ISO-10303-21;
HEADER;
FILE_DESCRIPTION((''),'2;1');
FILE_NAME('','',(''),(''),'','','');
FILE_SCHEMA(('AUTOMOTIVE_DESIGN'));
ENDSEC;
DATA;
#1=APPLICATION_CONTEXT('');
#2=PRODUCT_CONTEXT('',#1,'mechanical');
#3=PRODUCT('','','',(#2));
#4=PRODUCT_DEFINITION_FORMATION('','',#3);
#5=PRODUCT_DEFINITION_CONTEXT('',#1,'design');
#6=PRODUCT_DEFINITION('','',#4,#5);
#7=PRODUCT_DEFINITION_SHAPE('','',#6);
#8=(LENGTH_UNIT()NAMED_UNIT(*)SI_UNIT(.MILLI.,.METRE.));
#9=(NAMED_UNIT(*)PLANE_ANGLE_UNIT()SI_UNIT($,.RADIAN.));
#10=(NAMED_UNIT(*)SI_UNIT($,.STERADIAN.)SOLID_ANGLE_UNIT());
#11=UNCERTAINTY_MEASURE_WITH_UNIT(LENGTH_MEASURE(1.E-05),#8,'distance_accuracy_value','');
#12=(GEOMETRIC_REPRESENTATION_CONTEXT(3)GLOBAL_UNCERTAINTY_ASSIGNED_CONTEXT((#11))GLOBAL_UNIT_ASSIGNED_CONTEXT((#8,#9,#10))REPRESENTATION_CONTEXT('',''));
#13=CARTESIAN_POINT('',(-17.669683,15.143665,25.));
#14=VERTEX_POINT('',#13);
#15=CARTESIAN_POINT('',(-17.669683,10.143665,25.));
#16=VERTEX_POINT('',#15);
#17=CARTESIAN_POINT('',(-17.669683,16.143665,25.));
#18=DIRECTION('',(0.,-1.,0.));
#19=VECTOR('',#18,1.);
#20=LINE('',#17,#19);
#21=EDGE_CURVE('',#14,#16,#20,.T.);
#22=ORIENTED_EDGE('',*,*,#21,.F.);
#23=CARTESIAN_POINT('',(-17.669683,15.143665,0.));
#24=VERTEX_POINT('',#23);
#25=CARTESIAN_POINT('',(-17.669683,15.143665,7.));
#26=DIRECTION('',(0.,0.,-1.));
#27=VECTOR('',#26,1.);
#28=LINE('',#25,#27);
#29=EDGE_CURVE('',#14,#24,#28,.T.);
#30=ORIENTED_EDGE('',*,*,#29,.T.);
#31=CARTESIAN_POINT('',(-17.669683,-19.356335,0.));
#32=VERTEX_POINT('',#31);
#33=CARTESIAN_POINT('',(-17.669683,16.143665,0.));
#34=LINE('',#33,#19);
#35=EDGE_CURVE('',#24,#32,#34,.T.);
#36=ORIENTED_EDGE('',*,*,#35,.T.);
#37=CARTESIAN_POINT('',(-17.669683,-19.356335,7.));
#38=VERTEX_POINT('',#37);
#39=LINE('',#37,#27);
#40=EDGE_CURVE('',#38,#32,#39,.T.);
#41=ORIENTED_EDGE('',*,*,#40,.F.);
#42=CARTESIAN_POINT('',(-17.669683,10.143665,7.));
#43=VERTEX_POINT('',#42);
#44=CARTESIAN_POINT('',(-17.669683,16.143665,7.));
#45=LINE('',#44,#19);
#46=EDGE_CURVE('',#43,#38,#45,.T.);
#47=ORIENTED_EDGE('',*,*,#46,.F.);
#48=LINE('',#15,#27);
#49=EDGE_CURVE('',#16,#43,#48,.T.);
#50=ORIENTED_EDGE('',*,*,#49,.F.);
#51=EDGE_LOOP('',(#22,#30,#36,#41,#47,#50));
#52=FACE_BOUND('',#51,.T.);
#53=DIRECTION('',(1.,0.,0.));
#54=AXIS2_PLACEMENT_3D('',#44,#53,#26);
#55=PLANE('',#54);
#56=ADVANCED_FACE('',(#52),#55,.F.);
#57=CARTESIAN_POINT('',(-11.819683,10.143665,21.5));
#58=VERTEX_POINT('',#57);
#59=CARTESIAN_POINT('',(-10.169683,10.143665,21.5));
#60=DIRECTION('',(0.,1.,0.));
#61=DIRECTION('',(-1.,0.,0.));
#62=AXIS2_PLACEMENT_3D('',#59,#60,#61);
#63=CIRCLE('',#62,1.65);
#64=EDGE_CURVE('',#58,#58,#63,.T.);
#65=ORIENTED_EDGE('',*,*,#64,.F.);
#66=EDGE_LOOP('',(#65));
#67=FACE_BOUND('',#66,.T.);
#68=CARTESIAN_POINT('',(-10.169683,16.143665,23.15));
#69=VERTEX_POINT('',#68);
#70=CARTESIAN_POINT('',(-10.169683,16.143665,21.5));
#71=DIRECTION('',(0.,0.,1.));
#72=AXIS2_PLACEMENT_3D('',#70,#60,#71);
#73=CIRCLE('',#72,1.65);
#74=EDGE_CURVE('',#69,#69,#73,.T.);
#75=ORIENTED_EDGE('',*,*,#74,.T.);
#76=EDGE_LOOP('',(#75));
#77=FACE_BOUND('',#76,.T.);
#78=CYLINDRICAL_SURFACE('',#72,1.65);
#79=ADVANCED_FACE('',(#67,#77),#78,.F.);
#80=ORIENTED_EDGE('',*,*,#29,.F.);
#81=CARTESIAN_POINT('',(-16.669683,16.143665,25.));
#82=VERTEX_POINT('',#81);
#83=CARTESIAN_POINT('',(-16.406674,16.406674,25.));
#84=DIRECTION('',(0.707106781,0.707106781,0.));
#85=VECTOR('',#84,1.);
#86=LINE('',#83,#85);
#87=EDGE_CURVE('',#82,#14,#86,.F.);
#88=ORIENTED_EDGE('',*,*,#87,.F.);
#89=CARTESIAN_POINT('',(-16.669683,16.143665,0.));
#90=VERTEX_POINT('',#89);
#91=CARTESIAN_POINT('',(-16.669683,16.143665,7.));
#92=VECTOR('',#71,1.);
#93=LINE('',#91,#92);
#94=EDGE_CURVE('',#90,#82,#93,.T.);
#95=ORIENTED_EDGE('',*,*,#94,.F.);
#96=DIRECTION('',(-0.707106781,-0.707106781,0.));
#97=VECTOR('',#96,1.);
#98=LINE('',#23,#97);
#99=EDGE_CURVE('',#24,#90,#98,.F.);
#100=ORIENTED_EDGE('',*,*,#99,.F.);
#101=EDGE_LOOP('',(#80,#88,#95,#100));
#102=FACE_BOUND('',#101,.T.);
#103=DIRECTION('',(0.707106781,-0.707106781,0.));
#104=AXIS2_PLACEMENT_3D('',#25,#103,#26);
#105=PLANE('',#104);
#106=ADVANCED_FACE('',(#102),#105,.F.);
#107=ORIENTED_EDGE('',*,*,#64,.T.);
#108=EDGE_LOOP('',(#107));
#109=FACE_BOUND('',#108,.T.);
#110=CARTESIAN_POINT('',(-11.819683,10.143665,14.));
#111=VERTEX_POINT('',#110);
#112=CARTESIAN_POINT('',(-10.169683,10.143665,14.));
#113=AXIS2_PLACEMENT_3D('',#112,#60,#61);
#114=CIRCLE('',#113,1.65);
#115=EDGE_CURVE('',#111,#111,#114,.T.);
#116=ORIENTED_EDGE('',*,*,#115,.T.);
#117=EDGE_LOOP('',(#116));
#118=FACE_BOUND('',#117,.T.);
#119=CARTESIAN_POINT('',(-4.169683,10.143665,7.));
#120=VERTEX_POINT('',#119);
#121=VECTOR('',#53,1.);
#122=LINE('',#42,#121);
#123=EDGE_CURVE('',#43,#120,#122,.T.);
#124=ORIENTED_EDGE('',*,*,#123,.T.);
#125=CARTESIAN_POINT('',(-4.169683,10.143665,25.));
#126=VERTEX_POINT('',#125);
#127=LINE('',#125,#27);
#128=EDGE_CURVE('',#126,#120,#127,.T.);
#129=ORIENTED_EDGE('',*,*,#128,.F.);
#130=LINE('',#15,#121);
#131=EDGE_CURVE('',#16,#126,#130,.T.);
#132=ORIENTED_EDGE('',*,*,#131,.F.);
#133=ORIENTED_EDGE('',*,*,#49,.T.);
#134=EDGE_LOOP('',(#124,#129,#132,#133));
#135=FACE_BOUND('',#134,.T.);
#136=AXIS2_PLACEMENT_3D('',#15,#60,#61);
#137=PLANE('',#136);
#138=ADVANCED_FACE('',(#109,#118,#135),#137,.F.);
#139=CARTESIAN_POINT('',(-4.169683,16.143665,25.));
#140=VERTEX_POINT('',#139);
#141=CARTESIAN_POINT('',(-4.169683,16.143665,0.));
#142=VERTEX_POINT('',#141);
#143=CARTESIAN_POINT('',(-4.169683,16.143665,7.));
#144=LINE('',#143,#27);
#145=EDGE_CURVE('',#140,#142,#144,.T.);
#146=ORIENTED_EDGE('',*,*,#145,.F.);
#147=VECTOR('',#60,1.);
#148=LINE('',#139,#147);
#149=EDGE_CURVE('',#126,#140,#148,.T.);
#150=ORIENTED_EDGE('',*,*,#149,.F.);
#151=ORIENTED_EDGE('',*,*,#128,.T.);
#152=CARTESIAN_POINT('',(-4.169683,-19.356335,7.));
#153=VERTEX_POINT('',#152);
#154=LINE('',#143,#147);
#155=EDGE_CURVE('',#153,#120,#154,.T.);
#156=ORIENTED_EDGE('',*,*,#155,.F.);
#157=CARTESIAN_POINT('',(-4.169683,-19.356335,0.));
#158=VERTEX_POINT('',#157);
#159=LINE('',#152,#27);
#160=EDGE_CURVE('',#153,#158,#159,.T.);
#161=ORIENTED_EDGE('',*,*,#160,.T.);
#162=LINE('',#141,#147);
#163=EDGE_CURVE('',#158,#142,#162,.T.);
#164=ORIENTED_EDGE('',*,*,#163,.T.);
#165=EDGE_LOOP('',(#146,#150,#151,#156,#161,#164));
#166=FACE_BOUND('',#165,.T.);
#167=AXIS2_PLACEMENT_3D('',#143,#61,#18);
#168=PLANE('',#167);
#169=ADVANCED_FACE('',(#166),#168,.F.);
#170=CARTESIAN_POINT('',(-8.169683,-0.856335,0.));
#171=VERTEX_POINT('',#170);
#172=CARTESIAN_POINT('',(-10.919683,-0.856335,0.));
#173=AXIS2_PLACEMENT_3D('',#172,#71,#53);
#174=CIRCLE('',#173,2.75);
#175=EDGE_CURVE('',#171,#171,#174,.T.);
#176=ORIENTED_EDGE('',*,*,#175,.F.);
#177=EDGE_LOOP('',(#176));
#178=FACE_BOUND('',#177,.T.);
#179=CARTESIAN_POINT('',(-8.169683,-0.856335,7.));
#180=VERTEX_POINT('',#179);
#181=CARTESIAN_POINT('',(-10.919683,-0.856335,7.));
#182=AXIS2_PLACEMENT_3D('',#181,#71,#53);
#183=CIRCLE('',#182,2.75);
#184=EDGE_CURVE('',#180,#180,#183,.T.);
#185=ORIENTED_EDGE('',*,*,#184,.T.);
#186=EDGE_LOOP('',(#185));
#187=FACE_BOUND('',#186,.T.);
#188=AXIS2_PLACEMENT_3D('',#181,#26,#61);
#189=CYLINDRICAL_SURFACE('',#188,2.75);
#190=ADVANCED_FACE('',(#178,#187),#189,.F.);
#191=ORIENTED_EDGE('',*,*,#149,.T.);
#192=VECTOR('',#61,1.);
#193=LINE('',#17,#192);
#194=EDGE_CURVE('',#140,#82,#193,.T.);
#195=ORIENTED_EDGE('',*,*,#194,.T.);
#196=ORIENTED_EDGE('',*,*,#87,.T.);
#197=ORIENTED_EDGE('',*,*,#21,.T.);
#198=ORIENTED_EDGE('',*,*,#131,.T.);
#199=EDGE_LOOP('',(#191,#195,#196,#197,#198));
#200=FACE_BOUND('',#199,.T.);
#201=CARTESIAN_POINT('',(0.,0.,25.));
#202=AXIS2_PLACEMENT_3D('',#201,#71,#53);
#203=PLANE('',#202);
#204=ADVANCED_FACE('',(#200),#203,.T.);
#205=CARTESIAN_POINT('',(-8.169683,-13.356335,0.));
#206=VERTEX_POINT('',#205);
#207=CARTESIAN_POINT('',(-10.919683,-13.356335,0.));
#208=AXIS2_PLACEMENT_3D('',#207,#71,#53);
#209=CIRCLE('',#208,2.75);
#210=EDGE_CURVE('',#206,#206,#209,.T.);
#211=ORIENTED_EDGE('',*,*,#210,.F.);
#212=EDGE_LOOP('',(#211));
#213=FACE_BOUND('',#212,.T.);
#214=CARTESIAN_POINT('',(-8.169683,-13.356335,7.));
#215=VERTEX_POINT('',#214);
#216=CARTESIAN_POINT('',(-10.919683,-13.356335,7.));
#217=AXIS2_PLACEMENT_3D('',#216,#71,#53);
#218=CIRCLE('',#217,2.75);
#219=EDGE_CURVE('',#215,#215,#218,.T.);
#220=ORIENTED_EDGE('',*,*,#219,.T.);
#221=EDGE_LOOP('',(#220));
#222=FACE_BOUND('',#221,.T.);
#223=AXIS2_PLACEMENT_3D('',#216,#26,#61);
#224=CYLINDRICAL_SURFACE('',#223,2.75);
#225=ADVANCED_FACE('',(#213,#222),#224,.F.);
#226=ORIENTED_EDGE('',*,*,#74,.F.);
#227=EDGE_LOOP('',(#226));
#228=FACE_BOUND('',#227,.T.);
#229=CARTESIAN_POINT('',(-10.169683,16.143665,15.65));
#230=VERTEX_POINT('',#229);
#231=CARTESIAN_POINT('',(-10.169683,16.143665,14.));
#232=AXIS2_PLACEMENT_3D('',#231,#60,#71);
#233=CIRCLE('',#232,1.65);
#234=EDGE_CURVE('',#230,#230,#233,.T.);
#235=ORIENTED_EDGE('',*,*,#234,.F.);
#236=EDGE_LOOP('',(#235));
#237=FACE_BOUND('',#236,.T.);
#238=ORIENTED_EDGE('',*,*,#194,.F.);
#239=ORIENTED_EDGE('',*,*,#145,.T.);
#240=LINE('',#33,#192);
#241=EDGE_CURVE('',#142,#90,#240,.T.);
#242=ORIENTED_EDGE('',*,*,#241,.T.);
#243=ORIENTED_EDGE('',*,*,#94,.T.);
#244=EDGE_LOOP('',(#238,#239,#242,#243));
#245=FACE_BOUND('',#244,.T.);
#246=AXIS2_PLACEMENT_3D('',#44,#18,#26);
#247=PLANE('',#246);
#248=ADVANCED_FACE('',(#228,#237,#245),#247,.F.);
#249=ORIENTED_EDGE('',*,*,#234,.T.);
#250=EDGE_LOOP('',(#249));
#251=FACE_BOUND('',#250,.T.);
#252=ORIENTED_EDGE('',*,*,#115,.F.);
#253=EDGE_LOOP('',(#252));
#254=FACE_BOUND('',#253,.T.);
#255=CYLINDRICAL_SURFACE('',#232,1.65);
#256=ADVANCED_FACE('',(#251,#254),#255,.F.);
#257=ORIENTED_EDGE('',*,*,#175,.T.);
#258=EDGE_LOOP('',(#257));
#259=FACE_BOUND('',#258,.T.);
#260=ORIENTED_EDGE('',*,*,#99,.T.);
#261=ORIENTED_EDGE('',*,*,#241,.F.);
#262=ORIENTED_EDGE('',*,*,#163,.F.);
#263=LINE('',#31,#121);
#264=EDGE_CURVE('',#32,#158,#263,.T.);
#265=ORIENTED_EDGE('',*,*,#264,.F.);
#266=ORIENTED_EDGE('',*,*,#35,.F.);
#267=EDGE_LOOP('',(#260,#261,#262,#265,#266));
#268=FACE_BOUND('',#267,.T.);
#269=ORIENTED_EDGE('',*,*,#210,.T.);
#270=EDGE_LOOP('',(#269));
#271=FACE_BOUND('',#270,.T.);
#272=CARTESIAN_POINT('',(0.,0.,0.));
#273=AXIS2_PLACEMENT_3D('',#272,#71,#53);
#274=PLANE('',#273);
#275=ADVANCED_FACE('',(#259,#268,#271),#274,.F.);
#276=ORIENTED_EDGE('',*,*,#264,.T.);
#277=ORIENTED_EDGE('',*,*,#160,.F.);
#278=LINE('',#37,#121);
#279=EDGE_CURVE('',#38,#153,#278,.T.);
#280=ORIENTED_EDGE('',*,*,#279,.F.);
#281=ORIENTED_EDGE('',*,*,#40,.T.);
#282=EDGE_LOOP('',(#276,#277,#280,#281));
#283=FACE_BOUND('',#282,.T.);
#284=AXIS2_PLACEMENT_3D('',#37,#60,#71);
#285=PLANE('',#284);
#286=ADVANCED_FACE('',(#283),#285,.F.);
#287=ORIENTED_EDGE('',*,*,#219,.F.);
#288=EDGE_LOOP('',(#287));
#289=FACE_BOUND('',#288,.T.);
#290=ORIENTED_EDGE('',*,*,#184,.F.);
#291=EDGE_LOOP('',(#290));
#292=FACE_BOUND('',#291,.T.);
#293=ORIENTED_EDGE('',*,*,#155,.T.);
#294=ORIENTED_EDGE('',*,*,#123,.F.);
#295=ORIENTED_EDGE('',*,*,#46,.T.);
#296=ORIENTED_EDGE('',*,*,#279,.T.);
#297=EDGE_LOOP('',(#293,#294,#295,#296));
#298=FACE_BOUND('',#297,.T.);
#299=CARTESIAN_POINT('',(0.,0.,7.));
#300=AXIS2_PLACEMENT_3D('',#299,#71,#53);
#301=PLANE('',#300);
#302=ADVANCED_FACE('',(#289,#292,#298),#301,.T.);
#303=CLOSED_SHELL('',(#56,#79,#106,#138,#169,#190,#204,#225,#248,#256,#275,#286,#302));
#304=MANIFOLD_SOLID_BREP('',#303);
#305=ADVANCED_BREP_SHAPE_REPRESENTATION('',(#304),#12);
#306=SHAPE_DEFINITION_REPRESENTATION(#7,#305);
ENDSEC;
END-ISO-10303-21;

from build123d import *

# Parameters (mm, degrees)
SKETCH1_W             = 13.5
SKETCH1_H             = 35.5
SKETCH1_R             = 2.75
BOSS_EXTRUDE1_DEPTH   = 7
SKETCH2_W             = 13.5
SKETCH2_H             = 6
BOSS_EXTRUDE2_DEPTH   = 18
CHAMFER1_SIZE         = 1
M4X0_7_TAPPED_HOLE1_D = 3.3


with BuildPart() as part:
    # Sketch1 → Boss-Extrude1 (new body)
    with BuildSketch(Plane.XY):
        with Locations((-10.919683258, -1.606334842)):
            Rectangle(SKETCH1_W, SKETCH1_H)
        with Locations((-10.919683258, -13.356334842)):
            Circle(SKETCH1_R, mode=Mode.SUBTRACT)
        with Locations((-10.919683258, -0.856334842)):
            Circle(SKETCH1_R, mode=Mode.SUBTRACT)
    extrude(amount=BOSS_EXTRUDE1_DEPTH)

    # Sketch2 → Boss-Extrude2 (add)
    with BuildSketch(Plane.XY.offset(7)):
        with Locations((-10.919683258, 13.143665158)):
            Rectangle(SKETCH2_W, SKETCH2_H)
    extrude(amount=BOSS_EXTRUDE2_DEPTH)

    # Chamfer1
    chamfer1_edges = [part.edges().sort_by_distance(p)[0] for p in [
        (-17.669683258, 16.143665158, 12.5),
    ]]
    chamfer(chamfer1_edges, length=CHAMFER1_SIZE)

    # M4x0.7 Tapped Hole1 (through all)
    with Locations(Plane(origin=(0, 16.143665158, 0), x_dir=(1, 0, 0), z_dir=(0, 1, 0))):
        with Locations((-10.169683258, -21.5), (-10.169683258, -14)):
            Hole(M4X0_7_TAPPED_HOLE1_D / 2)


solid = part.part
